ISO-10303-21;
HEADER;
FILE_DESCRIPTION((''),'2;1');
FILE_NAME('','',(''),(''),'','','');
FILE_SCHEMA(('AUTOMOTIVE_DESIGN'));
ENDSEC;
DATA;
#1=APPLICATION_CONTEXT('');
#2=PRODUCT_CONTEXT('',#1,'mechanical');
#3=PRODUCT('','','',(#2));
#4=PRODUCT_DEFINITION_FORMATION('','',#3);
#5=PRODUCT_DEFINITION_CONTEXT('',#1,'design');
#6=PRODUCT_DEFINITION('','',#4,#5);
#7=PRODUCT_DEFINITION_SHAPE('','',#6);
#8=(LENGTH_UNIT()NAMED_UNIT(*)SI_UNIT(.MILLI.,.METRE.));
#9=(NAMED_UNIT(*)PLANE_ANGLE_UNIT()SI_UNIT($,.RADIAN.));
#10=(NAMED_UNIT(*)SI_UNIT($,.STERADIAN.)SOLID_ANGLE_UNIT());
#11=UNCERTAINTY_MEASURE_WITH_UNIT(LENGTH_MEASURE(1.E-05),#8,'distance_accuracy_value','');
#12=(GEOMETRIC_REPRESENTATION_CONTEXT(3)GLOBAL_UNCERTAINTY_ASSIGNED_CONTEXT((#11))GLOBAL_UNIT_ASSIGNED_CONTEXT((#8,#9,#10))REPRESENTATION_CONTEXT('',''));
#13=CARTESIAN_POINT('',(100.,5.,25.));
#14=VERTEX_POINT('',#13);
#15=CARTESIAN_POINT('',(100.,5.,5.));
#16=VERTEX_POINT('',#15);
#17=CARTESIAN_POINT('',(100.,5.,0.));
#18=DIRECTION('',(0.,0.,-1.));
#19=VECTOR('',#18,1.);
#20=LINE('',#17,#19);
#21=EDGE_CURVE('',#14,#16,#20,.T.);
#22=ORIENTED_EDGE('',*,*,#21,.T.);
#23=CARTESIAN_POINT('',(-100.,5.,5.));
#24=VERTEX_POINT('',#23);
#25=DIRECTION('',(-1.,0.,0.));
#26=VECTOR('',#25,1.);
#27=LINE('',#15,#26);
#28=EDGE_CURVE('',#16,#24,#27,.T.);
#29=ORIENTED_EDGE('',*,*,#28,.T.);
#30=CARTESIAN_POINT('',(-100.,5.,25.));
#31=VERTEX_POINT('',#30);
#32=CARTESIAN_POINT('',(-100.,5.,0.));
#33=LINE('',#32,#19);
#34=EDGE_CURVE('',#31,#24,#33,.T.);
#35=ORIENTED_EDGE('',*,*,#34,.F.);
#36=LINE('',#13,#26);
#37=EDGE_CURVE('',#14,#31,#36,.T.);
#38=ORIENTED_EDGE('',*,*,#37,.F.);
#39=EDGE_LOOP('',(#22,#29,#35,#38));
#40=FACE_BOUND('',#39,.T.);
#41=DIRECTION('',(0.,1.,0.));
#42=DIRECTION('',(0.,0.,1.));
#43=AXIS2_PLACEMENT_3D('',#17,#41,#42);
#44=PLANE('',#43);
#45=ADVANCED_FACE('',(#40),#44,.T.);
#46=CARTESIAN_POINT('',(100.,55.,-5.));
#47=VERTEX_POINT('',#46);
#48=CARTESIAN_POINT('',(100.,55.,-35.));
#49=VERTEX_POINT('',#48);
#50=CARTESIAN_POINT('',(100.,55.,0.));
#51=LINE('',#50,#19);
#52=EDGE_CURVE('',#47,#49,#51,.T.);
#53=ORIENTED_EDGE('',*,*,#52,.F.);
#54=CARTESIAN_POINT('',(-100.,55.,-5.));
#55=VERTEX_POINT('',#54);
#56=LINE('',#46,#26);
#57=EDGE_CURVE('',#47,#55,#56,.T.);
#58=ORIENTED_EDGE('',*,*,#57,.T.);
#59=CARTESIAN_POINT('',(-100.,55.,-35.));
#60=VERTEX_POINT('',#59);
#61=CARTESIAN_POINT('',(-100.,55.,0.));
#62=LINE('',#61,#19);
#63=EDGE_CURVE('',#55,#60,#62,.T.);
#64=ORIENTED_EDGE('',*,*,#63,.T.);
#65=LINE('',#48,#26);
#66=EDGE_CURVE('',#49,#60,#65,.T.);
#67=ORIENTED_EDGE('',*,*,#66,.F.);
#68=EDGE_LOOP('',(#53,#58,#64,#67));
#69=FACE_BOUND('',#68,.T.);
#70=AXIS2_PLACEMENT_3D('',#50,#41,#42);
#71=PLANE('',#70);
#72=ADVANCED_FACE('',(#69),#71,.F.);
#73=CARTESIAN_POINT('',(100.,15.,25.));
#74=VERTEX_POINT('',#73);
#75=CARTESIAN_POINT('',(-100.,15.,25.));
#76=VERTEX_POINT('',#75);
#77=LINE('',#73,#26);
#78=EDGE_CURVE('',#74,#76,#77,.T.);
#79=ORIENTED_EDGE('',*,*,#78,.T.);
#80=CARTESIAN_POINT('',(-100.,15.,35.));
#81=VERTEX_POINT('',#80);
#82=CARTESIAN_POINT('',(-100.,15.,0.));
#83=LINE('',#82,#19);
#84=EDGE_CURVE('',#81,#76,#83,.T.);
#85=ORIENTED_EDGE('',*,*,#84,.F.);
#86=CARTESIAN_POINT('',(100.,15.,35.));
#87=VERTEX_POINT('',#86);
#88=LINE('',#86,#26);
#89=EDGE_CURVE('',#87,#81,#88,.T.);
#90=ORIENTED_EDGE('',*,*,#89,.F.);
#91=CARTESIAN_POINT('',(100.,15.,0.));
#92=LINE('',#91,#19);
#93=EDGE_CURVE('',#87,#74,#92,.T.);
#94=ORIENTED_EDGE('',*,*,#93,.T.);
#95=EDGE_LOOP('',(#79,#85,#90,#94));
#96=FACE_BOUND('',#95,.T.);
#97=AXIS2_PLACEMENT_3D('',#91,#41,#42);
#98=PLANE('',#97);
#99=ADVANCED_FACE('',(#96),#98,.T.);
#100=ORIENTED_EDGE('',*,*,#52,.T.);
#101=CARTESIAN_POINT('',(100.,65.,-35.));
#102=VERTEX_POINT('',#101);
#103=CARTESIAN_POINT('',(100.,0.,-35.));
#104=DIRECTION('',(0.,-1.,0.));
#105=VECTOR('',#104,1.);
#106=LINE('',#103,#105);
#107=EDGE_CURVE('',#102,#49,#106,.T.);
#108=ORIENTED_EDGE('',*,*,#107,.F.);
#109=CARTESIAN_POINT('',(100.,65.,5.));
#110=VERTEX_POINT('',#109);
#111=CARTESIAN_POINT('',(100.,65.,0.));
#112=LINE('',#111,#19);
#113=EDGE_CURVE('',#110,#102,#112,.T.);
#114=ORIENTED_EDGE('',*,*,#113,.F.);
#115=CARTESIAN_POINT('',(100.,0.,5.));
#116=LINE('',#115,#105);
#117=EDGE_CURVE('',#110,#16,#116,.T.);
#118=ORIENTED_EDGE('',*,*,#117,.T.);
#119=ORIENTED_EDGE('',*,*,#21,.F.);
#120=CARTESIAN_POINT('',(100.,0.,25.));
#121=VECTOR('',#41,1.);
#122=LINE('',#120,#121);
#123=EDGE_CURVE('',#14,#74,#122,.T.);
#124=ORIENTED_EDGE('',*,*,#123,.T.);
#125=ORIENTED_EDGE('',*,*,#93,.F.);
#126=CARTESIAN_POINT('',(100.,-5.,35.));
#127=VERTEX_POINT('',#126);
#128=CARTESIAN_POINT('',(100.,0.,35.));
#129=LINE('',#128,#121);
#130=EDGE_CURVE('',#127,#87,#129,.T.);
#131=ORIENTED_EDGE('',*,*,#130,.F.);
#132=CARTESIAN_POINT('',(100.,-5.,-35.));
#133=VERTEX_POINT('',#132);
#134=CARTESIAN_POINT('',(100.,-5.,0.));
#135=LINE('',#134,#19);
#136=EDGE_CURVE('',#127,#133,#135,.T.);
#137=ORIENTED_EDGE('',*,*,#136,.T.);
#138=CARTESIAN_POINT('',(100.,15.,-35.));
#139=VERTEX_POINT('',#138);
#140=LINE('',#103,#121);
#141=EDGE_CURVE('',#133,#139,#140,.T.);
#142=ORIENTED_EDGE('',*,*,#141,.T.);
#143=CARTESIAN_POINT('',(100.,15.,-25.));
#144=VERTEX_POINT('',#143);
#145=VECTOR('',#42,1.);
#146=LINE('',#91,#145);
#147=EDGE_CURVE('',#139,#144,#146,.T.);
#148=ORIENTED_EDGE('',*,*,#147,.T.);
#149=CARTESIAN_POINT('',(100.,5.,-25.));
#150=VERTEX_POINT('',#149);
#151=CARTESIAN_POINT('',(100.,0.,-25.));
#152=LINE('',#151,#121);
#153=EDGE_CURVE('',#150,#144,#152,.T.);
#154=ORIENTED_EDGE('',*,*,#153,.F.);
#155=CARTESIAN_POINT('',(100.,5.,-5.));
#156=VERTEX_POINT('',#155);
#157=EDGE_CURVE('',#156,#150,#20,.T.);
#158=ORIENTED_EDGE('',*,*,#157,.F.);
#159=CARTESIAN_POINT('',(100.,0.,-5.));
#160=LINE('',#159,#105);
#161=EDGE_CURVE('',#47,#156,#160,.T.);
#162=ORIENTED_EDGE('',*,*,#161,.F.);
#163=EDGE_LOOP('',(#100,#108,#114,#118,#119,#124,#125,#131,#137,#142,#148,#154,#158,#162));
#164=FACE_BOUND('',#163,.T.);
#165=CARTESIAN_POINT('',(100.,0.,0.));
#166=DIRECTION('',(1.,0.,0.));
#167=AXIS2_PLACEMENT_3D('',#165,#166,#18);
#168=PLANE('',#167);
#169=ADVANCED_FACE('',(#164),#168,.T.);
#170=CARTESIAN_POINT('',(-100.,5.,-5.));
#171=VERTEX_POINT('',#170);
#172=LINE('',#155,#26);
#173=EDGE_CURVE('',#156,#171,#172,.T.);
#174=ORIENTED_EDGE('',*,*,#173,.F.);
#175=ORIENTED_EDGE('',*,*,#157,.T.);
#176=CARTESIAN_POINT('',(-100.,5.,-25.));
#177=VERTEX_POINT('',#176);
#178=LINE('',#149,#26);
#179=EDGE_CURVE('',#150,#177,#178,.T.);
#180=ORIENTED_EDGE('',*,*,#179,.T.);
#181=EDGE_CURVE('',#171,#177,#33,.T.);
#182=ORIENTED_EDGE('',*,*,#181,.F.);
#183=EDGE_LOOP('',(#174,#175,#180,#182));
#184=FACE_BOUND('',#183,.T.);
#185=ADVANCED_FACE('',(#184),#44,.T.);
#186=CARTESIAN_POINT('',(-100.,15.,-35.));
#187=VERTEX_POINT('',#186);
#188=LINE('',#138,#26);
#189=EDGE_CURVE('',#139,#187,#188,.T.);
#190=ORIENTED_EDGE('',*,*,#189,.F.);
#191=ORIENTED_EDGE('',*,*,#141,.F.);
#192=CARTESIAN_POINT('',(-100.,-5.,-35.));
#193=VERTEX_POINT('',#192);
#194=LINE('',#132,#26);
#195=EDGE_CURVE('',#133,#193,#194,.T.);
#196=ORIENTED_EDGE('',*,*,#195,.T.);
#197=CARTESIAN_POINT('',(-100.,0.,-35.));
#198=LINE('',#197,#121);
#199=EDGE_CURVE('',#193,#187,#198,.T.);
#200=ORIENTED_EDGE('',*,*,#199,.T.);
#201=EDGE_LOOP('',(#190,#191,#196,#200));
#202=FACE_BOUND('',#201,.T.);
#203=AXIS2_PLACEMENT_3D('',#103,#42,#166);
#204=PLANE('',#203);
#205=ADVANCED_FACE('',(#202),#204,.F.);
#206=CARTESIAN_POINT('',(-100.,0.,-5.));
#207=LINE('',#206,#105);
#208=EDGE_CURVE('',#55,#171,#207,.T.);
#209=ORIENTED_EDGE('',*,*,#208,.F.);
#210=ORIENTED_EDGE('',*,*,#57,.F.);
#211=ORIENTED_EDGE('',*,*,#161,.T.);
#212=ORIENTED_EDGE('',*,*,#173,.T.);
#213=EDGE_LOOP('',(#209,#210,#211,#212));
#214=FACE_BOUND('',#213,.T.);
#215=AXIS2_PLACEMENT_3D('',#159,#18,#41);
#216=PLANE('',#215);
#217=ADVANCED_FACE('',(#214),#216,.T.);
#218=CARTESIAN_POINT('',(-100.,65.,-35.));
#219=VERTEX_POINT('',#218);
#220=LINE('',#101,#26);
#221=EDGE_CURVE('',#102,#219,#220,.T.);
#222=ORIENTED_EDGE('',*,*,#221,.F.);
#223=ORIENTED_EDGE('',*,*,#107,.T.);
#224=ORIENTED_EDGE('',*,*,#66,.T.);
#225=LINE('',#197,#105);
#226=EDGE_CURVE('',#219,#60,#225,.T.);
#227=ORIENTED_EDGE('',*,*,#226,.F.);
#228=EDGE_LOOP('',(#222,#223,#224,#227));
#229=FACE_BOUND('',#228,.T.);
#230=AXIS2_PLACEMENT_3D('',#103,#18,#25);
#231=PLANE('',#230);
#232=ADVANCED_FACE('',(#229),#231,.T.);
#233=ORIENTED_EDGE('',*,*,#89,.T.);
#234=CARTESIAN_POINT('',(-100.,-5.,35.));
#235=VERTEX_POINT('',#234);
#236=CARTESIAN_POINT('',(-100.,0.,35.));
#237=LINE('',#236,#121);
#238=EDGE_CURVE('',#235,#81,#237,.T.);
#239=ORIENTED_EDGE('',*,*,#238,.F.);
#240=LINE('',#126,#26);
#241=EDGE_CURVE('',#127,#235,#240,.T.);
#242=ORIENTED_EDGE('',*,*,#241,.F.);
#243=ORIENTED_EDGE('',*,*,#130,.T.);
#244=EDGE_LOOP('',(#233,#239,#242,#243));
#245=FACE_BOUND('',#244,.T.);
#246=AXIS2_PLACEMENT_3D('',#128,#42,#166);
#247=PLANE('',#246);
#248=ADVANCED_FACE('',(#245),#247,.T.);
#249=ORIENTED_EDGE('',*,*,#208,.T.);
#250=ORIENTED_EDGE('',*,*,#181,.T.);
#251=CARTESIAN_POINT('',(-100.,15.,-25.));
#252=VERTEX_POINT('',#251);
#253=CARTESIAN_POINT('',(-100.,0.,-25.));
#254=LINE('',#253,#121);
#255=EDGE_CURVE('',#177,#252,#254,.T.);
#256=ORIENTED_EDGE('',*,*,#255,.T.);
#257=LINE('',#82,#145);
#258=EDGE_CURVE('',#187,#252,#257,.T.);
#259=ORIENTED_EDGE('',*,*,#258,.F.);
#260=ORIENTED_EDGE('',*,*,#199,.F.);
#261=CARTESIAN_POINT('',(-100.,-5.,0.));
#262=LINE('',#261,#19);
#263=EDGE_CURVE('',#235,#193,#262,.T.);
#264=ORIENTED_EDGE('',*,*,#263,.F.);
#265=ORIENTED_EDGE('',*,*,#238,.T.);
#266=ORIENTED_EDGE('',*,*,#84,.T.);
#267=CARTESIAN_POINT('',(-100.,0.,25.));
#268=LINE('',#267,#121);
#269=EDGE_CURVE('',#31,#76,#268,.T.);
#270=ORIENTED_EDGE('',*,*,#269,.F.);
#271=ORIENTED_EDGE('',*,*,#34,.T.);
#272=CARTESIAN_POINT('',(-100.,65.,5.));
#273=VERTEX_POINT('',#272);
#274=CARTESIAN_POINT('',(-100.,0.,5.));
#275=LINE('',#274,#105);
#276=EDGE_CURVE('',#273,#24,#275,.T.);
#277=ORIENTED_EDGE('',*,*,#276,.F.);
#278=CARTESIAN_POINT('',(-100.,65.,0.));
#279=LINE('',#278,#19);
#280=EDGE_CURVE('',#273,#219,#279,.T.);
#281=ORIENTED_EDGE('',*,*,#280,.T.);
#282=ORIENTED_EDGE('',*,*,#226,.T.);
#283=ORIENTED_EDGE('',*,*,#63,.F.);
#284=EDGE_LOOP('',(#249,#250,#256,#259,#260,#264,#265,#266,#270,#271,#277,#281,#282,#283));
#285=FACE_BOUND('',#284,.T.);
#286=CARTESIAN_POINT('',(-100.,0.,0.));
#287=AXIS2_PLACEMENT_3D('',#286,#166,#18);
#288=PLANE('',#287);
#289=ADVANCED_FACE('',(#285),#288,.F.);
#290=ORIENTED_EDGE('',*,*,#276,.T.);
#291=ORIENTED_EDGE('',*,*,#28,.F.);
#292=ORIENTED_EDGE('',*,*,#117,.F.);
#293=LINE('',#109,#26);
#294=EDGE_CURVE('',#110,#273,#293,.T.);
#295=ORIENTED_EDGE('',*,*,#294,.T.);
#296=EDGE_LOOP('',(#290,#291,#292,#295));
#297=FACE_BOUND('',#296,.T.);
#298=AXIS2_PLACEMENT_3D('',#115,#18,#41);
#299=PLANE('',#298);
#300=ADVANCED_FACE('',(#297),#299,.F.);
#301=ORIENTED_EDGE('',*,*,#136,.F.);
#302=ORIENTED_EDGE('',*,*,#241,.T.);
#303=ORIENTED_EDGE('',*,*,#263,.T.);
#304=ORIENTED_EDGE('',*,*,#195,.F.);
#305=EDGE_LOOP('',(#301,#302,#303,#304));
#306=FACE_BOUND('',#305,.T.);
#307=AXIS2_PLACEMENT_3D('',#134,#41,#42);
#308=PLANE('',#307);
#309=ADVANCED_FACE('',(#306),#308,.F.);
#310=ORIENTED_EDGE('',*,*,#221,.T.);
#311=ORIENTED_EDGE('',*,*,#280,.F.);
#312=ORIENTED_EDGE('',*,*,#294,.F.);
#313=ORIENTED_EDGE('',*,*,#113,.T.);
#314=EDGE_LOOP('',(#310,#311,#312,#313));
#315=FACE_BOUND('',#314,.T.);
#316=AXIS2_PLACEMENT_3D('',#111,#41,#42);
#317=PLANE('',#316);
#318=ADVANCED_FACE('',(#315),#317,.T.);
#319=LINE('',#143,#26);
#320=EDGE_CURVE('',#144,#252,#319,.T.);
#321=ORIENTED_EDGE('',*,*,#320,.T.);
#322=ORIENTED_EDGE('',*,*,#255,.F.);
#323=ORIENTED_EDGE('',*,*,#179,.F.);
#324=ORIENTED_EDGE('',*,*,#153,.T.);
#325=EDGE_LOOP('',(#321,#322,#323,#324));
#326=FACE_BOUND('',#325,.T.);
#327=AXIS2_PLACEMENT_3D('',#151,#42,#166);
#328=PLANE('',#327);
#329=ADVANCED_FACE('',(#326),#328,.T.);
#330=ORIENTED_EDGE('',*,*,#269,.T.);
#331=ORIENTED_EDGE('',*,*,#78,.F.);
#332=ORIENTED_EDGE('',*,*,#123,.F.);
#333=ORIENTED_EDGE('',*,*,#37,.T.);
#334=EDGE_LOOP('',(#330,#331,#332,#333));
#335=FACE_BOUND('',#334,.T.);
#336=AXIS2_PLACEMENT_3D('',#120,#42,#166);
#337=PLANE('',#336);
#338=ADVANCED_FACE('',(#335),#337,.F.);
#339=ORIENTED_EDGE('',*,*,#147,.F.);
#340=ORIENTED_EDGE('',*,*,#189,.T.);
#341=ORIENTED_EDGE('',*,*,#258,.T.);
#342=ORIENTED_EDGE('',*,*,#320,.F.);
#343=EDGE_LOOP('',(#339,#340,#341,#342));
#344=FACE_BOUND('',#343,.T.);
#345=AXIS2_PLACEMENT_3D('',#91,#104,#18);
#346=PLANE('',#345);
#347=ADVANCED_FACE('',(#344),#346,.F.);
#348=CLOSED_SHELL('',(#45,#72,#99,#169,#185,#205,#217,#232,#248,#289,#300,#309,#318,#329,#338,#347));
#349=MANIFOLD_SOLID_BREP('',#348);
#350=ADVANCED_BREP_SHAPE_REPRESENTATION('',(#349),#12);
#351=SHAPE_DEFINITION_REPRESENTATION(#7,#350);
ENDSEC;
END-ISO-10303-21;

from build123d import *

# Parameters (mm, degrees)
SKETCH_1_W      = 30
SKETCH_1_H      = 10
SKETCH_1_W_2    = 70
SKETCH_1_W_3    = 10
EXTRUDE_1_DEPTH = 100


with BuildPart() as part:
    # Эскиз1 → Бобышка-Вытянуть1 (new, symmetric)
    with BuildSketch(Plane(origin=(0, 0, 0), x_dir=(0, 0, -1), z_dir=(1, 0, 0))):
        Polygon((-5, 65), (-5, 5), (5, 5), (5, 55), (5, 65), align=None)
        with Locations((20, 60)):
            Rectangle(SKETCH_1_W, SKETCH_1_H)
        Rectangle(SKETCH_1_W_2, SKETCH_1_H)
        with Locations((30, 10)):
            Rectangle(SKETCH_1_W_3, SKETCH_1_H)
        with Locations((-30, 10)):
            Rectangle(SKETCH_1_W_3, SKETCH_1_H)
    extrude(amount=EXTRUDE_1_DEPTH, both=True)


solid = part.part
